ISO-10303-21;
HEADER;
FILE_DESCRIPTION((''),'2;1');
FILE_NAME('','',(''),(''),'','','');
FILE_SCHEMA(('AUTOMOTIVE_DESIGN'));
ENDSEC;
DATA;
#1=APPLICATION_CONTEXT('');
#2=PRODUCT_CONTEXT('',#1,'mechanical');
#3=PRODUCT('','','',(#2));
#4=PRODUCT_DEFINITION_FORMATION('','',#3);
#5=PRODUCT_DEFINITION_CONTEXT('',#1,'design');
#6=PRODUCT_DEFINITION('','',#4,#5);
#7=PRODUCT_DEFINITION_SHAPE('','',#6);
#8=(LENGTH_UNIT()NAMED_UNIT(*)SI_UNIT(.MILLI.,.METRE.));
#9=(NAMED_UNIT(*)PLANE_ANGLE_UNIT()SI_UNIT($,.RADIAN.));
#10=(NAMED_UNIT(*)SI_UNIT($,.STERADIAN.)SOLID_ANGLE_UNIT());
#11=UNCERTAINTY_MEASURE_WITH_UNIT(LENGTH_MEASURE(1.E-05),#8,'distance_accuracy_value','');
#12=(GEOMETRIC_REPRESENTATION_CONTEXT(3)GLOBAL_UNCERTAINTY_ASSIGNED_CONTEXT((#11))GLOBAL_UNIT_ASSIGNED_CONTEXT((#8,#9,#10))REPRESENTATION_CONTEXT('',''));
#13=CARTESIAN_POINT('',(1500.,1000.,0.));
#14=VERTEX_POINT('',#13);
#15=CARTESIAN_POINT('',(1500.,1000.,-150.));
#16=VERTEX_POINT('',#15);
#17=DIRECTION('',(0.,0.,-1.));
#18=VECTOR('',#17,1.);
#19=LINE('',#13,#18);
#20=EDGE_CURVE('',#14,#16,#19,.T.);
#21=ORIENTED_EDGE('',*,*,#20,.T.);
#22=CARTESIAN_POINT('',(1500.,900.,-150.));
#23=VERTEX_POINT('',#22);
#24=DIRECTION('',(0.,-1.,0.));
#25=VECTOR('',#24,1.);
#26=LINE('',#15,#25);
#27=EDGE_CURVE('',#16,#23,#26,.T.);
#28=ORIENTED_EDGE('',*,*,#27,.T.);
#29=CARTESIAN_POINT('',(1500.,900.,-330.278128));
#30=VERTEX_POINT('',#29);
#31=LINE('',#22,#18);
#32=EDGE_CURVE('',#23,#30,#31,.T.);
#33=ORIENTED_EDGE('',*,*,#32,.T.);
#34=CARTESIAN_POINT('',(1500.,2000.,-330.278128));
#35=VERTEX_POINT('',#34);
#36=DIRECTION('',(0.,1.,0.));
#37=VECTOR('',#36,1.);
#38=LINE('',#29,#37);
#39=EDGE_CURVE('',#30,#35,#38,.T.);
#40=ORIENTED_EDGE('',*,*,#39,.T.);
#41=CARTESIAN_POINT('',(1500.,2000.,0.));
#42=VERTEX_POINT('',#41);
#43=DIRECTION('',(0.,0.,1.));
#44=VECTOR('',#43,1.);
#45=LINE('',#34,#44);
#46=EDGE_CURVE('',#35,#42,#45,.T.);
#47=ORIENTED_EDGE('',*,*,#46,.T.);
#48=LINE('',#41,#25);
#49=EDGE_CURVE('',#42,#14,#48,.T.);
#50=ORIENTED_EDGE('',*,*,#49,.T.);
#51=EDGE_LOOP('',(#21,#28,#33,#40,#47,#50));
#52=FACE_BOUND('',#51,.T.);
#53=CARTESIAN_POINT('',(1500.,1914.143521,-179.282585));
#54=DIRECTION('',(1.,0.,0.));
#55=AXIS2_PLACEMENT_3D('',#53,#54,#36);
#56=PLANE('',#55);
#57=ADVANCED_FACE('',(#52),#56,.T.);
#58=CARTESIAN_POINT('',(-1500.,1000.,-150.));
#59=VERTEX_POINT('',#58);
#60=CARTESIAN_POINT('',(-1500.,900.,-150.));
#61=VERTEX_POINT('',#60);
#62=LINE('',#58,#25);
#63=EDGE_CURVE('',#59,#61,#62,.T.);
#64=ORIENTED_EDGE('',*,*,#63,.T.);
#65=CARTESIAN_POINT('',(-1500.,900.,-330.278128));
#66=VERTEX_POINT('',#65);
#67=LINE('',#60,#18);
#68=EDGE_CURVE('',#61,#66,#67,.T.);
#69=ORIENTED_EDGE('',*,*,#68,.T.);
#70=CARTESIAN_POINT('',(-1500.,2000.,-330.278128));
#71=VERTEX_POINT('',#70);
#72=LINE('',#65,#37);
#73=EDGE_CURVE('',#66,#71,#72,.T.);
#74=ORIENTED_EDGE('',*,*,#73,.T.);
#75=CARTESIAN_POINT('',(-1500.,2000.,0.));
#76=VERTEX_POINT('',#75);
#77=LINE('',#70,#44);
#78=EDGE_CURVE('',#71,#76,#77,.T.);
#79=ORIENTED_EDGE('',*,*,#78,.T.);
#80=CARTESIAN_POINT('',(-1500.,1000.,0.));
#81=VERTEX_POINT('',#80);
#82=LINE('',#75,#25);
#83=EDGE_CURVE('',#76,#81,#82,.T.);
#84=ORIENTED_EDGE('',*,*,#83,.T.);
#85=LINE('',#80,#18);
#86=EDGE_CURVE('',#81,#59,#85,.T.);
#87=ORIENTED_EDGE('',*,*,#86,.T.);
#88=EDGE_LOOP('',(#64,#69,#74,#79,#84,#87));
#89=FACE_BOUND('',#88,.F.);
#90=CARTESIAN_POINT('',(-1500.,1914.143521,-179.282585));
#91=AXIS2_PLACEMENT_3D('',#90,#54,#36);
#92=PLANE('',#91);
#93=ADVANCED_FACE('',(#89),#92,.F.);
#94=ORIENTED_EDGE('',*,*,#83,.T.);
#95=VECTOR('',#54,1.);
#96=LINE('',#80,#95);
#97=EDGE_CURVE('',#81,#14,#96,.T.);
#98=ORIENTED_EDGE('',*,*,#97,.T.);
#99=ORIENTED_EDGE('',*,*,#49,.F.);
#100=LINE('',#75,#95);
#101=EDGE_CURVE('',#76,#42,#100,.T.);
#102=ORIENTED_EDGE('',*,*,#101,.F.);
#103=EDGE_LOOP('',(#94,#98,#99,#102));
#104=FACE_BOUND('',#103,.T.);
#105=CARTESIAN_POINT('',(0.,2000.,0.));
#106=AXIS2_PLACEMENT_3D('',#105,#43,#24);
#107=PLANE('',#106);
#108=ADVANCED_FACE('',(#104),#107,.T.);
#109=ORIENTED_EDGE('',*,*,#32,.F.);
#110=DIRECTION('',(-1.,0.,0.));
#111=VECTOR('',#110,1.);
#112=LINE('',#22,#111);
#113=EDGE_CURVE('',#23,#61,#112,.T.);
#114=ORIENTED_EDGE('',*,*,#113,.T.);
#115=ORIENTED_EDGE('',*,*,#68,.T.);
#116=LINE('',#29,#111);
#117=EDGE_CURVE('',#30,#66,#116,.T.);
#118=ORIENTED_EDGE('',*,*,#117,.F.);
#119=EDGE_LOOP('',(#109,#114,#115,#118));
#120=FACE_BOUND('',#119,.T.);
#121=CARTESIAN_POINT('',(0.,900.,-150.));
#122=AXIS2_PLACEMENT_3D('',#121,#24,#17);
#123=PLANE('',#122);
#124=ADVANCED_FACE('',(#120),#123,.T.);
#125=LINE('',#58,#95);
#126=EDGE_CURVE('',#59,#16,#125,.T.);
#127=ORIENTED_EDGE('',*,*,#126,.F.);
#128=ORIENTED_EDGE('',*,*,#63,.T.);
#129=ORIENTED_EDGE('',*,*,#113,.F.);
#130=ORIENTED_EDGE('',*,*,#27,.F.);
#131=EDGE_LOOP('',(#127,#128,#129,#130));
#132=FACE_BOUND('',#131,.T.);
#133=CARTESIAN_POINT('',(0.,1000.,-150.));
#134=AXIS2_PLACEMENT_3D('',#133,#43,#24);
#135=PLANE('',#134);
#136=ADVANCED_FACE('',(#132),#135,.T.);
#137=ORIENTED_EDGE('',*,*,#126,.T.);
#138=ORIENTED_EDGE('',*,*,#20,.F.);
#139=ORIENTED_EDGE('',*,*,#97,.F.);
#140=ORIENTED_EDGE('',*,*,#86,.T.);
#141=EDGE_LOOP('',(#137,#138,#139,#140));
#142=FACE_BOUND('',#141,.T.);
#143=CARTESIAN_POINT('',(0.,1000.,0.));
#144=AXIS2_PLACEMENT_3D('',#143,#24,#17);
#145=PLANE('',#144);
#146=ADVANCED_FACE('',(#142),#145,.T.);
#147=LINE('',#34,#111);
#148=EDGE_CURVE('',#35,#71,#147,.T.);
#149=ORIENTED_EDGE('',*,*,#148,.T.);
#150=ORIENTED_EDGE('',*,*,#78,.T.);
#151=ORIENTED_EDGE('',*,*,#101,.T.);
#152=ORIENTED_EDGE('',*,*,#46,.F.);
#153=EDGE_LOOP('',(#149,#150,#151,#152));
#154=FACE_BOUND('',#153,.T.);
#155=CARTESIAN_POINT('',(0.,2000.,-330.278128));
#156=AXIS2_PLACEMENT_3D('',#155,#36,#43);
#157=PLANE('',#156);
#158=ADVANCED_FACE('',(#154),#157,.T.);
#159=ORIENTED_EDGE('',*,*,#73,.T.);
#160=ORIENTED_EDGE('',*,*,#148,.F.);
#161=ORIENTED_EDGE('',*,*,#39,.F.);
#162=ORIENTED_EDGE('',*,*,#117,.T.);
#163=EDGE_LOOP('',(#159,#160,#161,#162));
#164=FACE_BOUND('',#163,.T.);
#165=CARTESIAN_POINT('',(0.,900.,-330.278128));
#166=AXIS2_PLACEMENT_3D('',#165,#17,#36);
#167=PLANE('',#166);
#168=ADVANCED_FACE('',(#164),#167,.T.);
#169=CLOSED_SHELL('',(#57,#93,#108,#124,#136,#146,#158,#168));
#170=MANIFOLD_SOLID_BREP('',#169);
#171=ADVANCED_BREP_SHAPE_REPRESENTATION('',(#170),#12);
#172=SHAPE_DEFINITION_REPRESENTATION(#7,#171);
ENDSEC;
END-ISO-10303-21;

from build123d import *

# Parameters (mm, degrees)
F2_DEPTH = 1500


with BuildPart() as f2:
    # F1 (on Right) → F2 (new body, symmetric)
    with BuildSketch(Plane.YZ):
        Polygon((2000, -330.278128), (2000, 0), (1900, 0), (1900, -150), (1800, -150), (1800, -330.278128), align=None)
        Polygon((1900, -150), (1900, 0), (1000, 0), (1000, -150), (1800, -150), align=None)
        Polygon((900, -330.278128), (1800, -330.278128), (1800, -150), (1000, -150), (900, -150), align=None)
    extrude(amount=F2_DEPTH, both=True)


solid = f2.part
